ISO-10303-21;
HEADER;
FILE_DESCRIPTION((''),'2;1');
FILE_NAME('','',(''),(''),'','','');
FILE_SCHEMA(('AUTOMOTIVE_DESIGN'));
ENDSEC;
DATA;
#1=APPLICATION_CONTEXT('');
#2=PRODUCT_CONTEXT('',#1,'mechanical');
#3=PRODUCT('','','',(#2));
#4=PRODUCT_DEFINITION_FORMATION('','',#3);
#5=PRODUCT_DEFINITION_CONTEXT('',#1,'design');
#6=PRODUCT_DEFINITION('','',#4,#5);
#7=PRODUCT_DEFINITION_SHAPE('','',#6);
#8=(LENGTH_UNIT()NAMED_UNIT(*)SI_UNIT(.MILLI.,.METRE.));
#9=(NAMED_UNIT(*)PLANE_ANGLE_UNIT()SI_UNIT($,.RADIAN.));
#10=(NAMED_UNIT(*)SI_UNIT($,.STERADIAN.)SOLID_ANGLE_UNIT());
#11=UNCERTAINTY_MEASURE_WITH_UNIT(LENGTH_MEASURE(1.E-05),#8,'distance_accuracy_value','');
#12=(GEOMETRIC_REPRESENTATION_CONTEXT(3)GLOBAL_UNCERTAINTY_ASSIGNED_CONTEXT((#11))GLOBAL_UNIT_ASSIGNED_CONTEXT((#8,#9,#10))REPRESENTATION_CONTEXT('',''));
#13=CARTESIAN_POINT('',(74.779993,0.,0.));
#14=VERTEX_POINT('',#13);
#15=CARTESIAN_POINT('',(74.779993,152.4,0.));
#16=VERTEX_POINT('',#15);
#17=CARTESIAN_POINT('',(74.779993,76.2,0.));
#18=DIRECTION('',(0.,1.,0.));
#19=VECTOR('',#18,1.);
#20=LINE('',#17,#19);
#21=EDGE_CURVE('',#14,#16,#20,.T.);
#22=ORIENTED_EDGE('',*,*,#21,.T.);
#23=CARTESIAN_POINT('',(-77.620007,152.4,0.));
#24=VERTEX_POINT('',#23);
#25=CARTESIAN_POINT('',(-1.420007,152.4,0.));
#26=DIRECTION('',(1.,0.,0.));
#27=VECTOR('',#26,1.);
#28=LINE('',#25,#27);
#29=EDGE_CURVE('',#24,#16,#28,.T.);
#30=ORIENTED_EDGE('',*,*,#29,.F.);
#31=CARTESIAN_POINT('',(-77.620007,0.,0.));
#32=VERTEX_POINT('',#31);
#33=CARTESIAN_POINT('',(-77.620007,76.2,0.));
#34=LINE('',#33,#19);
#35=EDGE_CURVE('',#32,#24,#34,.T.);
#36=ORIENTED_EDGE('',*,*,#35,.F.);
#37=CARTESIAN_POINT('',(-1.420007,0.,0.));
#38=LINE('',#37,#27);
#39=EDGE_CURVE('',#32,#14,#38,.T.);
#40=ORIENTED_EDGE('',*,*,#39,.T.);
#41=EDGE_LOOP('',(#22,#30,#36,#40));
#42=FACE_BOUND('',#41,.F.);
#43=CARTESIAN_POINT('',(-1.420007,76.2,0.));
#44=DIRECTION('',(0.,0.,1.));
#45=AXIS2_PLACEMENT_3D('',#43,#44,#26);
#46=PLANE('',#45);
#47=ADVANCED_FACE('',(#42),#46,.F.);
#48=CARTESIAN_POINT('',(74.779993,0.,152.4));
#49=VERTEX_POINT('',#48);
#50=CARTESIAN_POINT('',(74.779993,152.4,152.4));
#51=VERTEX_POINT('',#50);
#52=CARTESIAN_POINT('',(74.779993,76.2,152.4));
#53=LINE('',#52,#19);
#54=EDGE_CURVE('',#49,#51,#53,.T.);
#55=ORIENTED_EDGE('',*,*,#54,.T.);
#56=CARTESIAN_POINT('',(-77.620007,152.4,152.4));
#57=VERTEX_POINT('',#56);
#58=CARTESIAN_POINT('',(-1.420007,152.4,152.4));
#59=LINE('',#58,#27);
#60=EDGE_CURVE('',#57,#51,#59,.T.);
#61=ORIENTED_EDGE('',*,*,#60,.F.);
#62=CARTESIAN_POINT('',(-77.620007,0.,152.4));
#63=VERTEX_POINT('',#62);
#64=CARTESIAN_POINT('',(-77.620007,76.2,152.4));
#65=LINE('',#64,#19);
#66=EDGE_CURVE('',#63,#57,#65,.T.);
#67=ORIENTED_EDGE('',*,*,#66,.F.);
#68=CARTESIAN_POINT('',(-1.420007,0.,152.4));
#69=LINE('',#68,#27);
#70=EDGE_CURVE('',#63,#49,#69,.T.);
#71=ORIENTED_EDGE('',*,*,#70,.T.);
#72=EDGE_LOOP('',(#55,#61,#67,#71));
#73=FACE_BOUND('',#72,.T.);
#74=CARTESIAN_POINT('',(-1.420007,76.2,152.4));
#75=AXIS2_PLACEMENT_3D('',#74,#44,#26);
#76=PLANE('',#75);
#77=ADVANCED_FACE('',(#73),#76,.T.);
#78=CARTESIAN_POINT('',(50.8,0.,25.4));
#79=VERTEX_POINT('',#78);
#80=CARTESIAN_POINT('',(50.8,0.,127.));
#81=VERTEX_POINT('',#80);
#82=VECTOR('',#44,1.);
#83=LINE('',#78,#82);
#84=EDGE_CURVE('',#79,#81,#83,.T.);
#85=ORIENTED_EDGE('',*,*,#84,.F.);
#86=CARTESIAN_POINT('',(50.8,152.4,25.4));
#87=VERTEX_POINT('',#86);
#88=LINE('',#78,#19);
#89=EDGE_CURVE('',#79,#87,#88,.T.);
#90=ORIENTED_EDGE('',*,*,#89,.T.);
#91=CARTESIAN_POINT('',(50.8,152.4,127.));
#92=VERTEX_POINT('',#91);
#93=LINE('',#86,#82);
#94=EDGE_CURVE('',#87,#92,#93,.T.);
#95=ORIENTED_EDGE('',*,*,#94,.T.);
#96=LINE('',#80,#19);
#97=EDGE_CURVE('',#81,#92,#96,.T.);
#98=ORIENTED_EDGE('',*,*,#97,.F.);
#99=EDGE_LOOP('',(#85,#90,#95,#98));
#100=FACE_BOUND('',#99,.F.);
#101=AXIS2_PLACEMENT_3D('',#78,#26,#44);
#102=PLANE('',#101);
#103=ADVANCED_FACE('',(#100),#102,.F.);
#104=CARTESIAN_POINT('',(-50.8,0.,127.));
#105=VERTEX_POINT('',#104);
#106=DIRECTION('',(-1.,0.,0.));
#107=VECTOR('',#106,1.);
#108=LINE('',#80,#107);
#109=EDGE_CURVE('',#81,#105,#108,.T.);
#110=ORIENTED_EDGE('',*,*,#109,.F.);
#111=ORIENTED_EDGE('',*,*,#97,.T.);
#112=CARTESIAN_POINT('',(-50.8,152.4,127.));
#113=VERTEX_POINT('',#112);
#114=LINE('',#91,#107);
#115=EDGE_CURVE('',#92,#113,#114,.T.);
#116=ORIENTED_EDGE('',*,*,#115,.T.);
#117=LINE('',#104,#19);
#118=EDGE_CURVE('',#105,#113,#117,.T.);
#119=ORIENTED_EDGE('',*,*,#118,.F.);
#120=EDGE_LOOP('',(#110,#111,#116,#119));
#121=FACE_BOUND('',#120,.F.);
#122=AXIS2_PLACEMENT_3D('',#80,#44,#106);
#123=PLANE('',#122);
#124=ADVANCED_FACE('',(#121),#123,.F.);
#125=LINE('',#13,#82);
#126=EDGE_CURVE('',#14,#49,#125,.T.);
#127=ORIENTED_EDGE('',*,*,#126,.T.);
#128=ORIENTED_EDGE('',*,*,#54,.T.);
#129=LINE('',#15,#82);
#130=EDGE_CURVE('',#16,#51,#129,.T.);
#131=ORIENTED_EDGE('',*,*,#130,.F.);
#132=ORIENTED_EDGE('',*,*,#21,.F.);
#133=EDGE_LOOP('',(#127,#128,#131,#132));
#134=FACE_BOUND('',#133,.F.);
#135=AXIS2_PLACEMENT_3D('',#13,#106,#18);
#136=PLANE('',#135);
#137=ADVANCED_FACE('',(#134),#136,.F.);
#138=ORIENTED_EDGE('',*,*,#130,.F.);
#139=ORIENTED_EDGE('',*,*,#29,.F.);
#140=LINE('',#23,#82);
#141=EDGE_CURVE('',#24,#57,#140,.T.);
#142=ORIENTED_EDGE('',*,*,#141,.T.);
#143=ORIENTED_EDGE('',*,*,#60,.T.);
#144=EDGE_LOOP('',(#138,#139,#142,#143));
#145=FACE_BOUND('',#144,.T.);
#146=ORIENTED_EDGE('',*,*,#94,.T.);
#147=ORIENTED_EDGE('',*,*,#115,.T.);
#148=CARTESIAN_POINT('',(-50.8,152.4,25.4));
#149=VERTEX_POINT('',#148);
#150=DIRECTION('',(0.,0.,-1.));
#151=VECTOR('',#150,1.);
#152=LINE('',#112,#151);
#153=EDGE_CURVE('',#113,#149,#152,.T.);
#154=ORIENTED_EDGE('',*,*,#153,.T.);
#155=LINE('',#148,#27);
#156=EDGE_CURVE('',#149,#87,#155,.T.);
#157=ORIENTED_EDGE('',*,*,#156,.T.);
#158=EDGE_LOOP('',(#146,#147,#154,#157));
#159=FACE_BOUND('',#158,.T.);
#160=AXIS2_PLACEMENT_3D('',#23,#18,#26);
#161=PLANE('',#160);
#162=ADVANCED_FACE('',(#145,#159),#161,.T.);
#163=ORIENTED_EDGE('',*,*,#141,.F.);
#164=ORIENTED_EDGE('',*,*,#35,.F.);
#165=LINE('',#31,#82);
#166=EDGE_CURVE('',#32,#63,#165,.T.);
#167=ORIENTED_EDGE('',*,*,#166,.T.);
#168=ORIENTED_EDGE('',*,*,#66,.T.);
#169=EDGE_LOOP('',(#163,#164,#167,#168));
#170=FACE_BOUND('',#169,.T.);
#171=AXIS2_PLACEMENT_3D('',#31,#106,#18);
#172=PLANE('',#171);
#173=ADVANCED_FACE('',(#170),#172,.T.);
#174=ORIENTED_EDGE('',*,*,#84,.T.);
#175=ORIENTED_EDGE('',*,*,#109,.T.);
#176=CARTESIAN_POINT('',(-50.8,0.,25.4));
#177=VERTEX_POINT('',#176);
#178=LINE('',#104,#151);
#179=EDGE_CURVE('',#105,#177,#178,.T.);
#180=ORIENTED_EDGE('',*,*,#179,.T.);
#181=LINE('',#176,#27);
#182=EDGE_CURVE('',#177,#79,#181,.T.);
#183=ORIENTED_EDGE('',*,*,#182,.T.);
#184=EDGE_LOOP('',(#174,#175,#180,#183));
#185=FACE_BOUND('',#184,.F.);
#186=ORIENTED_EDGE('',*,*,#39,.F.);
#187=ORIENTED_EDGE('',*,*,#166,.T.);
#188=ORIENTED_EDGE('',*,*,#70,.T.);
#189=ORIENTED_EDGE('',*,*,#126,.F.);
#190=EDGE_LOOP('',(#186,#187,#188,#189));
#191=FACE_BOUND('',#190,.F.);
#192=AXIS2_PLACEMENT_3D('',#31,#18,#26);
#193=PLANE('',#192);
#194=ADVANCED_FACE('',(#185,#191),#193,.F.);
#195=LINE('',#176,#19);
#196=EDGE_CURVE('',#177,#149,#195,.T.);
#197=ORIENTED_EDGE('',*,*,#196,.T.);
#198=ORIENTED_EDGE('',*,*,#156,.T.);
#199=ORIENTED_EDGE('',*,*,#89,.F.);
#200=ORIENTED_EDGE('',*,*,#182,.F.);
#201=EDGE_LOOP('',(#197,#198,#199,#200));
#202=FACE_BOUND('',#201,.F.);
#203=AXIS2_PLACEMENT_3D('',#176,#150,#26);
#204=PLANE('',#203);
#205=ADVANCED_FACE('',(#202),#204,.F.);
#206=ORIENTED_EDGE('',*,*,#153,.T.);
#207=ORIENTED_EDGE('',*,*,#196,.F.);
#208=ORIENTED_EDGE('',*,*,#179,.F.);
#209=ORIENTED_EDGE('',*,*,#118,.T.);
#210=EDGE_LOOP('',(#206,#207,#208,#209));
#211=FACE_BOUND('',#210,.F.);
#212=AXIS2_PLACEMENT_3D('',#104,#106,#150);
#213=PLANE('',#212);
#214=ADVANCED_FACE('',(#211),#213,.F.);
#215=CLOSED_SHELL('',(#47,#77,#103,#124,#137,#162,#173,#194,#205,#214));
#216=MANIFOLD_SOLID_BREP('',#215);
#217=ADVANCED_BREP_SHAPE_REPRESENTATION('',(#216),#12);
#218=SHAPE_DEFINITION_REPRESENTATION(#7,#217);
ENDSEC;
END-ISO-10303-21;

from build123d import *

# Parameters (mm, degrees)
F0_W     = 152.4
F0_H     = 152.4
F1_DEPTH = 152.4
F2_W     = 50.8
F2_H     = 50.8
F3_DEPTH = 152.4


with BuildPart() as f1:
    # F0 (on Top) → F1 (new body)
    with BuildSketch(Plane.XY):
        with Locations((-1.420007, 76.2)):
            Rectangle(F0_W, F0_H)
    extrude(amount=F1_DEPTH)

    # F2 (on face) → F3 (cut)
    with BuildSketch(Plane.XZ):
        with Locations((-25.4, 101.6)):
            Rectangle(F2_W, F2_H)
        with Locations((25.4, 101.6)):
            Rectangle(F2_W, F2_H)
        with Locations((25.4, 50.8)):
            Rectangle(F2_W, F2_H)
        with Locations((-25.4, 50.8)):
            Rectangle(F2_W, F2_H)
    extrude(amount=-F3_DEPTH, mode=Mode.SUBTRACT)


solid = f1.part
